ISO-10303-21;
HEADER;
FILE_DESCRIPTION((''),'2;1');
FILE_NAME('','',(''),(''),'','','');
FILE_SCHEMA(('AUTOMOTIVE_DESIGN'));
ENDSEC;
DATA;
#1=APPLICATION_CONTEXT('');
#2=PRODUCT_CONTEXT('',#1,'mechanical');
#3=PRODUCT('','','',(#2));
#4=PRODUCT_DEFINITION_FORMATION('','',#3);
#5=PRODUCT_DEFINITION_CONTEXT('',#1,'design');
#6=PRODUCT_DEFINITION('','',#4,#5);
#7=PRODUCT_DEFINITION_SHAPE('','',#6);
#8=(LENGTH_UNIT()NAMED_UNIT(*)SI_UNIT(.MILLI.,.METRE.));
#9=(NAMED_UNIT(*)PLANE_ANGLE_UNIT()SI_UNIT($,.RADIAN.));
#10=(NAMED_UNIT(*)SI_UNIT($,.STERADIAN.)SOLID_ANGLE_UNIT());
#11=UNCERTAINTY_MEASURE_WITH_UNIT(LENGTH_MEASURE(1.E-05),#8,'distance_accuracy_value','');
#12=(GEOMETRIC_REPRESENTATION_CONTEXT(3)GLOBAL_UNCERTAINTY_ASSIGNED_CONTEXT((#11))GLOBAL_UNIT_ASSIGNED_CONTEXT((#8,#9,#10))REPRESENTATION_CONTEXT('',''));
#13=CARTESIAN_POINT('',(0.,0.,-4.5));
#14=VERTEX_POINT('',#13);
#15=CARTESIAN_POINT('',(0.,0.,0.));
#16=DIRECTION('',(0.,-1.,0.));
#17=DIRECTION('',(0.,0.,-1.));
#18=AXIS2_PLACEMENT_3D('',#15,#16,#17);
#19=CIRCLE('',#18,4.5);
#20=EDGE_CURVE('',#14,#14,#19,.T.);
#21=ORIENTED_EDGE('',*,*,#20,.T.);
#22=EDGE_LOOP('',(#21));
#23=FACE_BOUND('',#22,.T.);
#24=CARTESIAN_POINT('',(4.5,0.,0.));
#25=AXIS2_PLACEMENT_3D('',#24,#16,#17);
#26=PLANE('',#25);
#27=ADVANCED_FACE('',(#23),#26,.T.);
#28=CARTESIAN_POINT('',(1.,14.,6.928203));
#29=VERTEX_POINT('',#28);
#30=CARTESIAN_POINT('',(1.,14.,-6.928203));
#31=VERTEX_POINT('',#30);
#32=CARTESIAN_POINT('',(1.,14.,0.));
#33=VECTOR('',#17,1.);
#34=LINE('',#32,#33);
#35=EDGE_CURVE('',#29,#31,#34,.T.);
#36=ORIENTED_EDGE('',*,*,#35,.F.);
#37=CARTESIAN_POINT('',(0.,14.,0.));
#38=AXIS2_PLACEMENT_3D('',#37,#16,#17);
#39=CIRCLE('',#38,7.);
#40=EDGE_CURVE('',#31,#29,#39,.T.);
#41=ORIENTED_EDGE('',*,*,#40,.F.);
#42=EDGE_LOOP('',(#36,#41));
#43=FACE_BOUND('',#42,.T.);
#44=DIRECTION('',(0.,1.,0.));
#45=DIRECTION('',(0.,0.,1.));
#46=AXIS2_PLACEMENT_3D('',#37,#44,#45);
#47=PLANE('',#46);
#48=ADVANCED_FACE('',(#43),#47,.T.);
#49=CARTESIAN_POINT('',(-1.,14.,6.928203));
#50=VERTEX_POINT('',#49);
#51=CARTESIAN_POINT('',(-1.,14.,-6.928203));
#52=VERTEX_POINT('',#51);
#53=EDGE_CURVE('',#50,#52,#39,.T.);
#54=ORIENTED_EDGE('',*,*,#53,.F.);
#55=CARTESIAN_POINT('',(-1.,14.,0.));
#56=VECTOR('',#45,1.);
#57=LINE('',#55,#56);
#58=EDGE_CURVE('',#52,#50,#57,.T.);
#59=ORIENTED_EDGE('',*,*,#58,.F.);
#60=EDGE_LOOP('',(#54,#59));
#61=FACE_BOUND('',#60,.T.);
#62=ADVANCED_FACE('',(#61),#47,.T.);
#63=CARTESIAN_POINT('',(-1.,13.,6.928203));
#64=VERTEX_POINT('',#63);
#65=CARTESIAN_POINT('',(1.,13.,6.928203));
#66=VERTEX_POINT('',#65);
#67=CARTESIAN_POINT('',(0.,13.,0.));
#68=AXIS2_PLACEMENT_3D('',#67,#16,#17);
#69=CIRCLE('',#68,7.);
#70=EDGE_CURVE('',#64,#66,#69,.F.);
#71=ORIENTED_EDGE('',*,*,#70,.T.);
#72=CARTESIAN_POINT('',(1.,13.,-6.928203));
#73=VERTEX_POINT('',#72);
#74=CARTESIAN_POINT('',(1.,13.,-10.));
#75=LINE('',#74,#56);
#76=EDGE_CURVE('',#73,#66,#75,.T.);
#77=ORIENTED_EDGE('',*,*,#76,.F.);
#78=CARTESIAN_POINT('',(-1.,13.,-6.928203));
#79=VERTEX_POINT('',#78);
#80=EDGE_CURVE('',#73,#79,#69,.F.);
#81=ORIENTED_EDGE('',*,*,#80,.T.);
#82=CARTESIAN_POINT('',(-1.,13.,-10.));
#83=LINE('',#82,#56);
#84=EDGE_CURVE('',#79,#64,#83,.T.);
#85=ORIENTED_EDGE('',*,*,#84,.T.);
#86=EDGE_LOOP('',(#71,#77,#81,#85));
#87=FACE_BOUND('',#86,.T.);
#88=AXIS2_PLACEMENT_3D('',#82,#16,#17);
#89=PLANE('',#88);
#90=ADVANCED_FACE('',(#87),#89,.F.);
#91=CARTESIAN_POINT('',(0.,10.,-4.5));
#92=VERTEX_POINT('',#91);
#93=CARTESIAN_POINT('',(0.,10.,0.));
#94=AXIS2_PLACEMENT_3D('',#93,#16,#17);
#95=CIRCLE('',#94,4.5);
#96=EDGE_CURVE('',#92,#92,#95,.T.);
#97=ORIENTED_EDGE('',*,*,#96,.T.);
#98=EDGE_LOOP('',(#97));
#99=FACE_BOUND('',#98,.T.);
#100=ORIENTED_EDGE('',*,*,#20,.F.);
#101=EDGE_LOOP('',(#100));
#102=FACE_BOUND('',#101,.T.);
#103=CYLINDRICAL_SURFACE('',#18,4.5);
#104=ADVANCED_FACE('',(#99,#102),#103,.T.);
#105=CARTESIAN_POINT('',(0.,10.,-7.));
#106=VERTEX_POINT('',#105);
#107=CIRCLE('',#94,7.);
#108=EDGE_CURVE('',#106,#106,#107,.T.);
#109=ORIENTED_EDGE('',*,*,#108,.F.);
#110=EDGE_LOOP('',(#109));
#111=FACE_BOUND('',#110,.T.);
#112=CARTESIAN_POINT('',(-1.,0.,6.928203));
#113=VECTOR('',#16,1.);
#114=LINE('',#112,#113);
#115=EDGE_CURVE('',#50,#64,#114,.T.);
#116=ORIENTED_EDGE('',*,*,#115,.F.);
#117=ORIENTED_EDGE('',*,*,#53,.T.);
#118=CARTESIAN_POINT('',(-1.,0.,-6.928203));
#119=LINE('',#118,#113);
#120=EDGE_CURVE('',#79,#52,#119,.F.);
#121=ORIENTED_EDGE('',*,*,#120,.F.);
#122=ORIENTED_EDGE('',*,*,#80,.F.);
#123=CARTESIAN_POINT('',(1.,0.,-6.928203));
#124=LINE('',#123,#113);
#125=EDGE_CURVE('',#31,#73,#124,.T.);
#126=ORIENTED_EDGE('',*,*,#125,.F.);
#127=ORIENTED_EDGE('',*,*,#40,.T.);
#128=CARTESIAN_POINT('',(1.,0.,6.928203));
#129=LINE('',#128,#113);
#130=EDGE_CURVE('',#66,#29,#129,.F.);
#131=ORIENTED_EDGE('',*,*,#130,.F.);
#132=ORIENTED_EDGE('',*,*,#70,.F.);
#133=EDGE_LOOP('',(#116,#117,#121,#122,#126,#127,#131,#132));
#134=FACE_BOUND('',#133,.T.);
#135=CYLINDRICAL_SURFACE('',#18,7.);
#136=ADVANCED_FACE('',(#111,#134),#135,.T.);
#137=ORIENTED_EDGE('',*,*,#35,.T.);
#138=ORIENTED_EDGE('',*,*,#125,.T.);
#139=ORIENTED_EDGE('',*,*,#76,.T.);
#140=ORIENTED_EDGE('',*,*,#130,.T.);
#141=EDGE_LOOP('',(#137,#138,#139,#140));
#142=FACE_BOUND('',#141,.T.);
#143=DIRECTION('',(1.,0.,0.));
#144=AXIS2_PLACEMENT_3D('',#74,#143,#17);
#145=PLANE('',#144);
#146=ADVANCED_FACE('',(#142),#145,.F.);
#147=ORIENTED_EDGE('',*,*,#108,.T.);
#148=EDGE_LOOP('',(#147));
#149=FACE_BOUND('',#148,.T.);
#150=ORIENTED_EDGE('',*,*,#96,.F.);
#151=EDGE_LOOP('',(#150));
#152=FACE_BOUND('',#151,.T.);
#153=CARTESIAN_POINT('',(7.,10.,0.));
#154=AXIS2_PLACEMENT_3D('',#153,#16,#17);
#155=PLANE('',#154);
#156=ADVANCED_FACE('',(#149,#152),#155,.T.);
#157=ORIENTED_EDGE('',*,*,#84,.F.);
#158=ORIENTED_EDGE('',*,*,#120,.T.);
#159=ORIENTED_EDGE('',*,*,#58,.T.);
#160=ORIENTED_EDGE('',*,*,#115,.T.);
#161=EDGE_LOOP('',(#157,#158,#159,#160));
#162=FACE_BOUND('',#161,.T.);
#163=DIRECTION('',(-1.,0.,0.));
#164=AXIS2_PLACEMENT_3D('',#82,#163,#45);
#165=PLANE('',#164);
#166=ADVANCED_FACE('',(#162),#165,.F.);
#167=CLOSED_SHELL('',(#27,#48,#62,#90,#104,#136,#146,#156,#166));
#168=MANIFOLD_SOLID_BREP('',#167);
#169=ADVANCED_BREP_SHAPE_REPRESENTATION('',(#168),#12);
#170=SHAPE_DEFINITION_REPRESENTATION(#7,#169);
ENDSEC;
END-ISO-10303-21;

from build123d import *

# Parameters (mm, degrees)
SKETCH_3_W          = 2
SKETCH_3_H          = 2
CUT_EXTRUDE_1_DEPTH = 10


with BuildPart() as part:
    # 草图2 → 旋转1 (revolve)
    with BuildSketch(Plane.XY, mode=Mode.PRIVATE) as revolve_1_sk:
        Polygon((0, 0), (0, 14), (7, 14), (7, 10), (4.5, 10), (4.5, 0), align=None)
    revolve(revolve_1_sk.sketch.rotate(Axis((0, 0, 0), (0, 1, 0)), 90), axis=Axis((0, 0, 0), (0, 1, 0)))

    # 草图3 → 切除-拉伸1 (cut, symmetric)
    with BuildSketch(Plane.XY):
        with Locations((0, 14)):
            Rectangle(SKETCH_3_W, SKETCH_3_H)
    extrude(amount=CUT_EXTRUDE_1_DEPTH, both=True, mode=Mode.SUBTRACT)


solid = part.part
